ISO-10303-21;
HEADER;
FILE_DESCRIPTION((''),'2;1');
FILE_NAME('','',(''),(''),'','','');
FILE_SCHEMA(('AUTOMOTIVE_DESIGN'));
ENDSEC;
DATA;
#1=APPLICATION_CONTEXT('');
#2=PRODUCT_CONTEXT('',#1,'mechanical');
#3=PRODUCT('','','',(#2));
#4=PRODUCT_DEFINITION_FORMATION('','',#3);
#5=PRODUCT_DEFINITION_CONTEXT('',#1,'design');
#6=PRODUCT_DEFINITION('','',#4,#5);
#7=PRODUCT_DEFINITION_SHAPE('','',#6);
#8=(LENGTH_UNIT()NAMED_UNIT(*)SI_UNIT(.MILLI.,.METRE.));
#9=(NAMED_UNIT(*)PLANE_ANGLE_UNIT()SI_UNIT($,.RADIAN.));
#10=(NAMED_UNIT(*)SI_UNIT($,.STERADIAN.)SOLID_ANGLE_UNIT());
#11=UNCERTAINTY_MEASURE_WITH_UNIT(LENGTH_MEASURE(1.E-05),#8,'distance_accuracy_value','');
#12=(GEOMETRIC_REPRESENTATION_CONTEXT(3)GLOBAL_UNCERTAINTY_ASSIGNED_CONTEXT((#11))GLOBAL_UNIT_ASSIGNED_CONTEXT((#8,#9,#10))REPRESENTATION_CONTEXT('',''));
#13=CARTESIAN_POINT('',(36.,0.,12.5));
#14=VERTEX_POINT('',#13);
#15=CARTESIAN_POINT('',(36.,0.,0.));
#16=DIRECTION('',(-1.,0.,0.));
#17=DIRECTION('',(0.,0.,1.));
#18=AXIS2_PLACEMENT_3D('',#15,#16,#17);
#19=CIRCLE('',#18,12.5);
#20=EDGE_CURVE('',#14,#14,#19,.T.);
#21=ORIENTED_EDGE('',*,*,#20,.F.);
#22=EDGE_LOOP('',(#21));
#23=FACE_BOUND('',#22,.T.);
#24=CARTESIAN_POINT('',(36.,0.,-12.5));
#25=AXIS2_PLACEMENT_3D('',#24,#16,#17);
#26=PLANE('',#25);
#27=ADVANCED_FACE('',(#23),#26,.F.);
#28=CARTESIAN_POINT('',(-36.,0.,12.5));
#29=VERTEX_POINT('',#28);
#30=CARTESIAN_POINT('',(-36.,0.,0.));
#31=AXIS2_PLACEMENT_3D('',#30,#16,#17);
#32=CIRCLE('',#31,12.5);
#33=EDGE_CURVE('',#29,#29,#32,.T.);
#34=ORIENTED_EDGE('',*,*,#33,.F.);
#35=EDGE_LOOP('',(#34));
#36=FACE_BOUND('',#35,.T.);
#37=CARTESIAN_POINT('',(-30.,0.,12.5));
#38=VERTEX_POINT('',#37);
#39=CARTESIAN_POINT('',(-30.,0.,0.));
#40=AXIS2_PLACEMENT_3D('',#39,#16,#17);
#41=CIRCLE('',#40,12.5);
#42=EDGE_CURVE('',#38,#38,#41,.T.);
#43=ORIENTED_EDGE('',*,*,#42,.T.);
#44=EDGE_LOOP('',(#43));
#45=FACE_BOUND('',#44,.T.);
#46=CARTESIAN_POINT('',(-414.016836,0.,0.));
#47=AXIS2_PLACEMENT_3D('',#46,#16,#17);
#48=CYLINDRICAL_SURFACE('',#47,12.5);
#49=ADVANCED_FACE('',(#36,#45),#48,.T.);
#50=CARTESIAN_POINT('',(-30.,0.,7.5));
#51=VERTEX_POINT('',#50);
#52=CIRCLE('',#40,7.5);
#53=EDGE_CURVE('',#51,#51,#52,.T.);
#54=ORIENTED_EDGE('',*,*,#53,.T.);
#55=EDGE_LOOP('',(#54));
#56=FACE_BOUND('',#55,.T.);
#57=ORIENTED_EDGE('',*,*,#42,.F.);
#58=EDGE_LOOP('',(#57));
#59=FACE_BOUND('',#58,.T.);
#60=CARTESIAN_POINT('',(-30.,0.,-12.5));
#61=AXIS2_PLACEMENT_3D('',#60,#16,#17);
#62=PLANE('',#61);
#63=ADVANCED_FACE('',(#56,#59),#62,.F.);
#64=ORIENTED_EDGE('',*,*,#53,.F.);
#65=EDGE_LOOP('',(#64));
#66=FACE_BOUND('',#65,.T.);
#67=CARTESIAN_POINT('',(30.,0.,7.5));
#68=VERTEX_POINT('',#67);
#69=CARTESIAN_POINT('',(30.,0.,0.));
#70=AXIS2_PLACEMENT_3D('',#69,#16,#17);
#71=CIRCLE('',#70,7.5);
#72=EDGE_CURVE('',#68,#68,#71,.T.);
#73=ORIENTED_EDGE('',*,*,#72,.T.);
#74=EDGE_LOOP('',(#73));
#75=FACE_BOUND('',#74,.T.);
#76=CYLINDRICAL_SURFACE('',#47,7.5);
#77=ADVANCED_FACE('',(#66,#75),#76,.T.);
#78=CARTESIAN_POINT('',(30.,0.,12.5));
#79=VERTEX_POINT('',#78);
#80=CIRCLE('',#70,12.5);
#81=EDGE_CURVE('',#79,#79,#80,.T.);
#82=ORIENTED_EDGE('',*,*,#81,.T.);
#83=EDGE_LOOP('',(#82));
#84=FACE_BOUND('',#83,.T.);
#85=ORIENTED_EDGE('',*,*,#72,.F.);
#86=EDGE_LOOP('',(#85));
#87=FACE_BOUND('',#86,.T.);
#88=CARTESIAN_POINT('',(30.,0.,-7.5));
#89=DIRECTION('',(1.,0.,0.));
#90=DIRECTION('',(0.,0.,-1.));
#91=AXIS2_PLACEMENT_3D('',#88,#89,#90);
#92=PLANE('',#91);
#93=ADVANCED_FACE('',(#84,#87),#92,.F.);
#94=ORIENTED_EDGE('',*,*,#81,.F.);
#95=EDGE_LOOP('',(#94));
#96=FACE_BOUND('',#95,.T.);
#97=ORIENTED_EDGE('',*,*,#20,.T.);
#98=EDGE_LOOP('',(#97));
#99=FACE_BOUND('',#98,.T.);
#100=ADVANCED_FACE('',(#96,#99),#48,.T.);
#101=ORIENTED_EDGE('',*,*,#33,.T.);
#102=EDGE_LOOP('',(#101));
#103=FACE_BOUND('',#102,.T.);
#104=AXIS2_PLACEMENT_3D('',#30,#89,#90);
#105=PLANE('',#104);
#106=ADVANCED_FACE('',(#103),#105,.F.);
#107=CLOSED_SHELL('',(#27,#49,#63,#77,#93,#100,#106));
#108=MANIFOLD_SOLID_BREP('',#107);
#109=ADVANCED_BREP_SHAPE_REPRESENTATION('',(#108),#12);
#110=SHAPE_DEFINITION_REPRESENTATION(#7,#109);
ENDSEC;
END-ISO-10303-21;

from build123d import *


with BuildPart() as part:
    # Sketch1 → Revolve1 (revolve)
    with BuildSketch(Plane(origin=(0, 0, 0), x_dir=(1, 0, 0), z_dir=(0, 1, 0)), mode=Mode.PRIVATE) as revolve1_sk:
        Polygon((0, 0), (-36, 0), (-36, 12.5), (-30, 12.5), (-30, 7.5), (30, 7.5), (30, 12.5), (36, 12.5), (36, 0), align=None)
    revolve(revolve1_sk.sketch.rotate(Axis((-414.016836438, 0, 0), (1, 0, 0)), 180), axis=Axis((-414.016836438, 0, 0), (1, 0, 0)))


solid = part.part
